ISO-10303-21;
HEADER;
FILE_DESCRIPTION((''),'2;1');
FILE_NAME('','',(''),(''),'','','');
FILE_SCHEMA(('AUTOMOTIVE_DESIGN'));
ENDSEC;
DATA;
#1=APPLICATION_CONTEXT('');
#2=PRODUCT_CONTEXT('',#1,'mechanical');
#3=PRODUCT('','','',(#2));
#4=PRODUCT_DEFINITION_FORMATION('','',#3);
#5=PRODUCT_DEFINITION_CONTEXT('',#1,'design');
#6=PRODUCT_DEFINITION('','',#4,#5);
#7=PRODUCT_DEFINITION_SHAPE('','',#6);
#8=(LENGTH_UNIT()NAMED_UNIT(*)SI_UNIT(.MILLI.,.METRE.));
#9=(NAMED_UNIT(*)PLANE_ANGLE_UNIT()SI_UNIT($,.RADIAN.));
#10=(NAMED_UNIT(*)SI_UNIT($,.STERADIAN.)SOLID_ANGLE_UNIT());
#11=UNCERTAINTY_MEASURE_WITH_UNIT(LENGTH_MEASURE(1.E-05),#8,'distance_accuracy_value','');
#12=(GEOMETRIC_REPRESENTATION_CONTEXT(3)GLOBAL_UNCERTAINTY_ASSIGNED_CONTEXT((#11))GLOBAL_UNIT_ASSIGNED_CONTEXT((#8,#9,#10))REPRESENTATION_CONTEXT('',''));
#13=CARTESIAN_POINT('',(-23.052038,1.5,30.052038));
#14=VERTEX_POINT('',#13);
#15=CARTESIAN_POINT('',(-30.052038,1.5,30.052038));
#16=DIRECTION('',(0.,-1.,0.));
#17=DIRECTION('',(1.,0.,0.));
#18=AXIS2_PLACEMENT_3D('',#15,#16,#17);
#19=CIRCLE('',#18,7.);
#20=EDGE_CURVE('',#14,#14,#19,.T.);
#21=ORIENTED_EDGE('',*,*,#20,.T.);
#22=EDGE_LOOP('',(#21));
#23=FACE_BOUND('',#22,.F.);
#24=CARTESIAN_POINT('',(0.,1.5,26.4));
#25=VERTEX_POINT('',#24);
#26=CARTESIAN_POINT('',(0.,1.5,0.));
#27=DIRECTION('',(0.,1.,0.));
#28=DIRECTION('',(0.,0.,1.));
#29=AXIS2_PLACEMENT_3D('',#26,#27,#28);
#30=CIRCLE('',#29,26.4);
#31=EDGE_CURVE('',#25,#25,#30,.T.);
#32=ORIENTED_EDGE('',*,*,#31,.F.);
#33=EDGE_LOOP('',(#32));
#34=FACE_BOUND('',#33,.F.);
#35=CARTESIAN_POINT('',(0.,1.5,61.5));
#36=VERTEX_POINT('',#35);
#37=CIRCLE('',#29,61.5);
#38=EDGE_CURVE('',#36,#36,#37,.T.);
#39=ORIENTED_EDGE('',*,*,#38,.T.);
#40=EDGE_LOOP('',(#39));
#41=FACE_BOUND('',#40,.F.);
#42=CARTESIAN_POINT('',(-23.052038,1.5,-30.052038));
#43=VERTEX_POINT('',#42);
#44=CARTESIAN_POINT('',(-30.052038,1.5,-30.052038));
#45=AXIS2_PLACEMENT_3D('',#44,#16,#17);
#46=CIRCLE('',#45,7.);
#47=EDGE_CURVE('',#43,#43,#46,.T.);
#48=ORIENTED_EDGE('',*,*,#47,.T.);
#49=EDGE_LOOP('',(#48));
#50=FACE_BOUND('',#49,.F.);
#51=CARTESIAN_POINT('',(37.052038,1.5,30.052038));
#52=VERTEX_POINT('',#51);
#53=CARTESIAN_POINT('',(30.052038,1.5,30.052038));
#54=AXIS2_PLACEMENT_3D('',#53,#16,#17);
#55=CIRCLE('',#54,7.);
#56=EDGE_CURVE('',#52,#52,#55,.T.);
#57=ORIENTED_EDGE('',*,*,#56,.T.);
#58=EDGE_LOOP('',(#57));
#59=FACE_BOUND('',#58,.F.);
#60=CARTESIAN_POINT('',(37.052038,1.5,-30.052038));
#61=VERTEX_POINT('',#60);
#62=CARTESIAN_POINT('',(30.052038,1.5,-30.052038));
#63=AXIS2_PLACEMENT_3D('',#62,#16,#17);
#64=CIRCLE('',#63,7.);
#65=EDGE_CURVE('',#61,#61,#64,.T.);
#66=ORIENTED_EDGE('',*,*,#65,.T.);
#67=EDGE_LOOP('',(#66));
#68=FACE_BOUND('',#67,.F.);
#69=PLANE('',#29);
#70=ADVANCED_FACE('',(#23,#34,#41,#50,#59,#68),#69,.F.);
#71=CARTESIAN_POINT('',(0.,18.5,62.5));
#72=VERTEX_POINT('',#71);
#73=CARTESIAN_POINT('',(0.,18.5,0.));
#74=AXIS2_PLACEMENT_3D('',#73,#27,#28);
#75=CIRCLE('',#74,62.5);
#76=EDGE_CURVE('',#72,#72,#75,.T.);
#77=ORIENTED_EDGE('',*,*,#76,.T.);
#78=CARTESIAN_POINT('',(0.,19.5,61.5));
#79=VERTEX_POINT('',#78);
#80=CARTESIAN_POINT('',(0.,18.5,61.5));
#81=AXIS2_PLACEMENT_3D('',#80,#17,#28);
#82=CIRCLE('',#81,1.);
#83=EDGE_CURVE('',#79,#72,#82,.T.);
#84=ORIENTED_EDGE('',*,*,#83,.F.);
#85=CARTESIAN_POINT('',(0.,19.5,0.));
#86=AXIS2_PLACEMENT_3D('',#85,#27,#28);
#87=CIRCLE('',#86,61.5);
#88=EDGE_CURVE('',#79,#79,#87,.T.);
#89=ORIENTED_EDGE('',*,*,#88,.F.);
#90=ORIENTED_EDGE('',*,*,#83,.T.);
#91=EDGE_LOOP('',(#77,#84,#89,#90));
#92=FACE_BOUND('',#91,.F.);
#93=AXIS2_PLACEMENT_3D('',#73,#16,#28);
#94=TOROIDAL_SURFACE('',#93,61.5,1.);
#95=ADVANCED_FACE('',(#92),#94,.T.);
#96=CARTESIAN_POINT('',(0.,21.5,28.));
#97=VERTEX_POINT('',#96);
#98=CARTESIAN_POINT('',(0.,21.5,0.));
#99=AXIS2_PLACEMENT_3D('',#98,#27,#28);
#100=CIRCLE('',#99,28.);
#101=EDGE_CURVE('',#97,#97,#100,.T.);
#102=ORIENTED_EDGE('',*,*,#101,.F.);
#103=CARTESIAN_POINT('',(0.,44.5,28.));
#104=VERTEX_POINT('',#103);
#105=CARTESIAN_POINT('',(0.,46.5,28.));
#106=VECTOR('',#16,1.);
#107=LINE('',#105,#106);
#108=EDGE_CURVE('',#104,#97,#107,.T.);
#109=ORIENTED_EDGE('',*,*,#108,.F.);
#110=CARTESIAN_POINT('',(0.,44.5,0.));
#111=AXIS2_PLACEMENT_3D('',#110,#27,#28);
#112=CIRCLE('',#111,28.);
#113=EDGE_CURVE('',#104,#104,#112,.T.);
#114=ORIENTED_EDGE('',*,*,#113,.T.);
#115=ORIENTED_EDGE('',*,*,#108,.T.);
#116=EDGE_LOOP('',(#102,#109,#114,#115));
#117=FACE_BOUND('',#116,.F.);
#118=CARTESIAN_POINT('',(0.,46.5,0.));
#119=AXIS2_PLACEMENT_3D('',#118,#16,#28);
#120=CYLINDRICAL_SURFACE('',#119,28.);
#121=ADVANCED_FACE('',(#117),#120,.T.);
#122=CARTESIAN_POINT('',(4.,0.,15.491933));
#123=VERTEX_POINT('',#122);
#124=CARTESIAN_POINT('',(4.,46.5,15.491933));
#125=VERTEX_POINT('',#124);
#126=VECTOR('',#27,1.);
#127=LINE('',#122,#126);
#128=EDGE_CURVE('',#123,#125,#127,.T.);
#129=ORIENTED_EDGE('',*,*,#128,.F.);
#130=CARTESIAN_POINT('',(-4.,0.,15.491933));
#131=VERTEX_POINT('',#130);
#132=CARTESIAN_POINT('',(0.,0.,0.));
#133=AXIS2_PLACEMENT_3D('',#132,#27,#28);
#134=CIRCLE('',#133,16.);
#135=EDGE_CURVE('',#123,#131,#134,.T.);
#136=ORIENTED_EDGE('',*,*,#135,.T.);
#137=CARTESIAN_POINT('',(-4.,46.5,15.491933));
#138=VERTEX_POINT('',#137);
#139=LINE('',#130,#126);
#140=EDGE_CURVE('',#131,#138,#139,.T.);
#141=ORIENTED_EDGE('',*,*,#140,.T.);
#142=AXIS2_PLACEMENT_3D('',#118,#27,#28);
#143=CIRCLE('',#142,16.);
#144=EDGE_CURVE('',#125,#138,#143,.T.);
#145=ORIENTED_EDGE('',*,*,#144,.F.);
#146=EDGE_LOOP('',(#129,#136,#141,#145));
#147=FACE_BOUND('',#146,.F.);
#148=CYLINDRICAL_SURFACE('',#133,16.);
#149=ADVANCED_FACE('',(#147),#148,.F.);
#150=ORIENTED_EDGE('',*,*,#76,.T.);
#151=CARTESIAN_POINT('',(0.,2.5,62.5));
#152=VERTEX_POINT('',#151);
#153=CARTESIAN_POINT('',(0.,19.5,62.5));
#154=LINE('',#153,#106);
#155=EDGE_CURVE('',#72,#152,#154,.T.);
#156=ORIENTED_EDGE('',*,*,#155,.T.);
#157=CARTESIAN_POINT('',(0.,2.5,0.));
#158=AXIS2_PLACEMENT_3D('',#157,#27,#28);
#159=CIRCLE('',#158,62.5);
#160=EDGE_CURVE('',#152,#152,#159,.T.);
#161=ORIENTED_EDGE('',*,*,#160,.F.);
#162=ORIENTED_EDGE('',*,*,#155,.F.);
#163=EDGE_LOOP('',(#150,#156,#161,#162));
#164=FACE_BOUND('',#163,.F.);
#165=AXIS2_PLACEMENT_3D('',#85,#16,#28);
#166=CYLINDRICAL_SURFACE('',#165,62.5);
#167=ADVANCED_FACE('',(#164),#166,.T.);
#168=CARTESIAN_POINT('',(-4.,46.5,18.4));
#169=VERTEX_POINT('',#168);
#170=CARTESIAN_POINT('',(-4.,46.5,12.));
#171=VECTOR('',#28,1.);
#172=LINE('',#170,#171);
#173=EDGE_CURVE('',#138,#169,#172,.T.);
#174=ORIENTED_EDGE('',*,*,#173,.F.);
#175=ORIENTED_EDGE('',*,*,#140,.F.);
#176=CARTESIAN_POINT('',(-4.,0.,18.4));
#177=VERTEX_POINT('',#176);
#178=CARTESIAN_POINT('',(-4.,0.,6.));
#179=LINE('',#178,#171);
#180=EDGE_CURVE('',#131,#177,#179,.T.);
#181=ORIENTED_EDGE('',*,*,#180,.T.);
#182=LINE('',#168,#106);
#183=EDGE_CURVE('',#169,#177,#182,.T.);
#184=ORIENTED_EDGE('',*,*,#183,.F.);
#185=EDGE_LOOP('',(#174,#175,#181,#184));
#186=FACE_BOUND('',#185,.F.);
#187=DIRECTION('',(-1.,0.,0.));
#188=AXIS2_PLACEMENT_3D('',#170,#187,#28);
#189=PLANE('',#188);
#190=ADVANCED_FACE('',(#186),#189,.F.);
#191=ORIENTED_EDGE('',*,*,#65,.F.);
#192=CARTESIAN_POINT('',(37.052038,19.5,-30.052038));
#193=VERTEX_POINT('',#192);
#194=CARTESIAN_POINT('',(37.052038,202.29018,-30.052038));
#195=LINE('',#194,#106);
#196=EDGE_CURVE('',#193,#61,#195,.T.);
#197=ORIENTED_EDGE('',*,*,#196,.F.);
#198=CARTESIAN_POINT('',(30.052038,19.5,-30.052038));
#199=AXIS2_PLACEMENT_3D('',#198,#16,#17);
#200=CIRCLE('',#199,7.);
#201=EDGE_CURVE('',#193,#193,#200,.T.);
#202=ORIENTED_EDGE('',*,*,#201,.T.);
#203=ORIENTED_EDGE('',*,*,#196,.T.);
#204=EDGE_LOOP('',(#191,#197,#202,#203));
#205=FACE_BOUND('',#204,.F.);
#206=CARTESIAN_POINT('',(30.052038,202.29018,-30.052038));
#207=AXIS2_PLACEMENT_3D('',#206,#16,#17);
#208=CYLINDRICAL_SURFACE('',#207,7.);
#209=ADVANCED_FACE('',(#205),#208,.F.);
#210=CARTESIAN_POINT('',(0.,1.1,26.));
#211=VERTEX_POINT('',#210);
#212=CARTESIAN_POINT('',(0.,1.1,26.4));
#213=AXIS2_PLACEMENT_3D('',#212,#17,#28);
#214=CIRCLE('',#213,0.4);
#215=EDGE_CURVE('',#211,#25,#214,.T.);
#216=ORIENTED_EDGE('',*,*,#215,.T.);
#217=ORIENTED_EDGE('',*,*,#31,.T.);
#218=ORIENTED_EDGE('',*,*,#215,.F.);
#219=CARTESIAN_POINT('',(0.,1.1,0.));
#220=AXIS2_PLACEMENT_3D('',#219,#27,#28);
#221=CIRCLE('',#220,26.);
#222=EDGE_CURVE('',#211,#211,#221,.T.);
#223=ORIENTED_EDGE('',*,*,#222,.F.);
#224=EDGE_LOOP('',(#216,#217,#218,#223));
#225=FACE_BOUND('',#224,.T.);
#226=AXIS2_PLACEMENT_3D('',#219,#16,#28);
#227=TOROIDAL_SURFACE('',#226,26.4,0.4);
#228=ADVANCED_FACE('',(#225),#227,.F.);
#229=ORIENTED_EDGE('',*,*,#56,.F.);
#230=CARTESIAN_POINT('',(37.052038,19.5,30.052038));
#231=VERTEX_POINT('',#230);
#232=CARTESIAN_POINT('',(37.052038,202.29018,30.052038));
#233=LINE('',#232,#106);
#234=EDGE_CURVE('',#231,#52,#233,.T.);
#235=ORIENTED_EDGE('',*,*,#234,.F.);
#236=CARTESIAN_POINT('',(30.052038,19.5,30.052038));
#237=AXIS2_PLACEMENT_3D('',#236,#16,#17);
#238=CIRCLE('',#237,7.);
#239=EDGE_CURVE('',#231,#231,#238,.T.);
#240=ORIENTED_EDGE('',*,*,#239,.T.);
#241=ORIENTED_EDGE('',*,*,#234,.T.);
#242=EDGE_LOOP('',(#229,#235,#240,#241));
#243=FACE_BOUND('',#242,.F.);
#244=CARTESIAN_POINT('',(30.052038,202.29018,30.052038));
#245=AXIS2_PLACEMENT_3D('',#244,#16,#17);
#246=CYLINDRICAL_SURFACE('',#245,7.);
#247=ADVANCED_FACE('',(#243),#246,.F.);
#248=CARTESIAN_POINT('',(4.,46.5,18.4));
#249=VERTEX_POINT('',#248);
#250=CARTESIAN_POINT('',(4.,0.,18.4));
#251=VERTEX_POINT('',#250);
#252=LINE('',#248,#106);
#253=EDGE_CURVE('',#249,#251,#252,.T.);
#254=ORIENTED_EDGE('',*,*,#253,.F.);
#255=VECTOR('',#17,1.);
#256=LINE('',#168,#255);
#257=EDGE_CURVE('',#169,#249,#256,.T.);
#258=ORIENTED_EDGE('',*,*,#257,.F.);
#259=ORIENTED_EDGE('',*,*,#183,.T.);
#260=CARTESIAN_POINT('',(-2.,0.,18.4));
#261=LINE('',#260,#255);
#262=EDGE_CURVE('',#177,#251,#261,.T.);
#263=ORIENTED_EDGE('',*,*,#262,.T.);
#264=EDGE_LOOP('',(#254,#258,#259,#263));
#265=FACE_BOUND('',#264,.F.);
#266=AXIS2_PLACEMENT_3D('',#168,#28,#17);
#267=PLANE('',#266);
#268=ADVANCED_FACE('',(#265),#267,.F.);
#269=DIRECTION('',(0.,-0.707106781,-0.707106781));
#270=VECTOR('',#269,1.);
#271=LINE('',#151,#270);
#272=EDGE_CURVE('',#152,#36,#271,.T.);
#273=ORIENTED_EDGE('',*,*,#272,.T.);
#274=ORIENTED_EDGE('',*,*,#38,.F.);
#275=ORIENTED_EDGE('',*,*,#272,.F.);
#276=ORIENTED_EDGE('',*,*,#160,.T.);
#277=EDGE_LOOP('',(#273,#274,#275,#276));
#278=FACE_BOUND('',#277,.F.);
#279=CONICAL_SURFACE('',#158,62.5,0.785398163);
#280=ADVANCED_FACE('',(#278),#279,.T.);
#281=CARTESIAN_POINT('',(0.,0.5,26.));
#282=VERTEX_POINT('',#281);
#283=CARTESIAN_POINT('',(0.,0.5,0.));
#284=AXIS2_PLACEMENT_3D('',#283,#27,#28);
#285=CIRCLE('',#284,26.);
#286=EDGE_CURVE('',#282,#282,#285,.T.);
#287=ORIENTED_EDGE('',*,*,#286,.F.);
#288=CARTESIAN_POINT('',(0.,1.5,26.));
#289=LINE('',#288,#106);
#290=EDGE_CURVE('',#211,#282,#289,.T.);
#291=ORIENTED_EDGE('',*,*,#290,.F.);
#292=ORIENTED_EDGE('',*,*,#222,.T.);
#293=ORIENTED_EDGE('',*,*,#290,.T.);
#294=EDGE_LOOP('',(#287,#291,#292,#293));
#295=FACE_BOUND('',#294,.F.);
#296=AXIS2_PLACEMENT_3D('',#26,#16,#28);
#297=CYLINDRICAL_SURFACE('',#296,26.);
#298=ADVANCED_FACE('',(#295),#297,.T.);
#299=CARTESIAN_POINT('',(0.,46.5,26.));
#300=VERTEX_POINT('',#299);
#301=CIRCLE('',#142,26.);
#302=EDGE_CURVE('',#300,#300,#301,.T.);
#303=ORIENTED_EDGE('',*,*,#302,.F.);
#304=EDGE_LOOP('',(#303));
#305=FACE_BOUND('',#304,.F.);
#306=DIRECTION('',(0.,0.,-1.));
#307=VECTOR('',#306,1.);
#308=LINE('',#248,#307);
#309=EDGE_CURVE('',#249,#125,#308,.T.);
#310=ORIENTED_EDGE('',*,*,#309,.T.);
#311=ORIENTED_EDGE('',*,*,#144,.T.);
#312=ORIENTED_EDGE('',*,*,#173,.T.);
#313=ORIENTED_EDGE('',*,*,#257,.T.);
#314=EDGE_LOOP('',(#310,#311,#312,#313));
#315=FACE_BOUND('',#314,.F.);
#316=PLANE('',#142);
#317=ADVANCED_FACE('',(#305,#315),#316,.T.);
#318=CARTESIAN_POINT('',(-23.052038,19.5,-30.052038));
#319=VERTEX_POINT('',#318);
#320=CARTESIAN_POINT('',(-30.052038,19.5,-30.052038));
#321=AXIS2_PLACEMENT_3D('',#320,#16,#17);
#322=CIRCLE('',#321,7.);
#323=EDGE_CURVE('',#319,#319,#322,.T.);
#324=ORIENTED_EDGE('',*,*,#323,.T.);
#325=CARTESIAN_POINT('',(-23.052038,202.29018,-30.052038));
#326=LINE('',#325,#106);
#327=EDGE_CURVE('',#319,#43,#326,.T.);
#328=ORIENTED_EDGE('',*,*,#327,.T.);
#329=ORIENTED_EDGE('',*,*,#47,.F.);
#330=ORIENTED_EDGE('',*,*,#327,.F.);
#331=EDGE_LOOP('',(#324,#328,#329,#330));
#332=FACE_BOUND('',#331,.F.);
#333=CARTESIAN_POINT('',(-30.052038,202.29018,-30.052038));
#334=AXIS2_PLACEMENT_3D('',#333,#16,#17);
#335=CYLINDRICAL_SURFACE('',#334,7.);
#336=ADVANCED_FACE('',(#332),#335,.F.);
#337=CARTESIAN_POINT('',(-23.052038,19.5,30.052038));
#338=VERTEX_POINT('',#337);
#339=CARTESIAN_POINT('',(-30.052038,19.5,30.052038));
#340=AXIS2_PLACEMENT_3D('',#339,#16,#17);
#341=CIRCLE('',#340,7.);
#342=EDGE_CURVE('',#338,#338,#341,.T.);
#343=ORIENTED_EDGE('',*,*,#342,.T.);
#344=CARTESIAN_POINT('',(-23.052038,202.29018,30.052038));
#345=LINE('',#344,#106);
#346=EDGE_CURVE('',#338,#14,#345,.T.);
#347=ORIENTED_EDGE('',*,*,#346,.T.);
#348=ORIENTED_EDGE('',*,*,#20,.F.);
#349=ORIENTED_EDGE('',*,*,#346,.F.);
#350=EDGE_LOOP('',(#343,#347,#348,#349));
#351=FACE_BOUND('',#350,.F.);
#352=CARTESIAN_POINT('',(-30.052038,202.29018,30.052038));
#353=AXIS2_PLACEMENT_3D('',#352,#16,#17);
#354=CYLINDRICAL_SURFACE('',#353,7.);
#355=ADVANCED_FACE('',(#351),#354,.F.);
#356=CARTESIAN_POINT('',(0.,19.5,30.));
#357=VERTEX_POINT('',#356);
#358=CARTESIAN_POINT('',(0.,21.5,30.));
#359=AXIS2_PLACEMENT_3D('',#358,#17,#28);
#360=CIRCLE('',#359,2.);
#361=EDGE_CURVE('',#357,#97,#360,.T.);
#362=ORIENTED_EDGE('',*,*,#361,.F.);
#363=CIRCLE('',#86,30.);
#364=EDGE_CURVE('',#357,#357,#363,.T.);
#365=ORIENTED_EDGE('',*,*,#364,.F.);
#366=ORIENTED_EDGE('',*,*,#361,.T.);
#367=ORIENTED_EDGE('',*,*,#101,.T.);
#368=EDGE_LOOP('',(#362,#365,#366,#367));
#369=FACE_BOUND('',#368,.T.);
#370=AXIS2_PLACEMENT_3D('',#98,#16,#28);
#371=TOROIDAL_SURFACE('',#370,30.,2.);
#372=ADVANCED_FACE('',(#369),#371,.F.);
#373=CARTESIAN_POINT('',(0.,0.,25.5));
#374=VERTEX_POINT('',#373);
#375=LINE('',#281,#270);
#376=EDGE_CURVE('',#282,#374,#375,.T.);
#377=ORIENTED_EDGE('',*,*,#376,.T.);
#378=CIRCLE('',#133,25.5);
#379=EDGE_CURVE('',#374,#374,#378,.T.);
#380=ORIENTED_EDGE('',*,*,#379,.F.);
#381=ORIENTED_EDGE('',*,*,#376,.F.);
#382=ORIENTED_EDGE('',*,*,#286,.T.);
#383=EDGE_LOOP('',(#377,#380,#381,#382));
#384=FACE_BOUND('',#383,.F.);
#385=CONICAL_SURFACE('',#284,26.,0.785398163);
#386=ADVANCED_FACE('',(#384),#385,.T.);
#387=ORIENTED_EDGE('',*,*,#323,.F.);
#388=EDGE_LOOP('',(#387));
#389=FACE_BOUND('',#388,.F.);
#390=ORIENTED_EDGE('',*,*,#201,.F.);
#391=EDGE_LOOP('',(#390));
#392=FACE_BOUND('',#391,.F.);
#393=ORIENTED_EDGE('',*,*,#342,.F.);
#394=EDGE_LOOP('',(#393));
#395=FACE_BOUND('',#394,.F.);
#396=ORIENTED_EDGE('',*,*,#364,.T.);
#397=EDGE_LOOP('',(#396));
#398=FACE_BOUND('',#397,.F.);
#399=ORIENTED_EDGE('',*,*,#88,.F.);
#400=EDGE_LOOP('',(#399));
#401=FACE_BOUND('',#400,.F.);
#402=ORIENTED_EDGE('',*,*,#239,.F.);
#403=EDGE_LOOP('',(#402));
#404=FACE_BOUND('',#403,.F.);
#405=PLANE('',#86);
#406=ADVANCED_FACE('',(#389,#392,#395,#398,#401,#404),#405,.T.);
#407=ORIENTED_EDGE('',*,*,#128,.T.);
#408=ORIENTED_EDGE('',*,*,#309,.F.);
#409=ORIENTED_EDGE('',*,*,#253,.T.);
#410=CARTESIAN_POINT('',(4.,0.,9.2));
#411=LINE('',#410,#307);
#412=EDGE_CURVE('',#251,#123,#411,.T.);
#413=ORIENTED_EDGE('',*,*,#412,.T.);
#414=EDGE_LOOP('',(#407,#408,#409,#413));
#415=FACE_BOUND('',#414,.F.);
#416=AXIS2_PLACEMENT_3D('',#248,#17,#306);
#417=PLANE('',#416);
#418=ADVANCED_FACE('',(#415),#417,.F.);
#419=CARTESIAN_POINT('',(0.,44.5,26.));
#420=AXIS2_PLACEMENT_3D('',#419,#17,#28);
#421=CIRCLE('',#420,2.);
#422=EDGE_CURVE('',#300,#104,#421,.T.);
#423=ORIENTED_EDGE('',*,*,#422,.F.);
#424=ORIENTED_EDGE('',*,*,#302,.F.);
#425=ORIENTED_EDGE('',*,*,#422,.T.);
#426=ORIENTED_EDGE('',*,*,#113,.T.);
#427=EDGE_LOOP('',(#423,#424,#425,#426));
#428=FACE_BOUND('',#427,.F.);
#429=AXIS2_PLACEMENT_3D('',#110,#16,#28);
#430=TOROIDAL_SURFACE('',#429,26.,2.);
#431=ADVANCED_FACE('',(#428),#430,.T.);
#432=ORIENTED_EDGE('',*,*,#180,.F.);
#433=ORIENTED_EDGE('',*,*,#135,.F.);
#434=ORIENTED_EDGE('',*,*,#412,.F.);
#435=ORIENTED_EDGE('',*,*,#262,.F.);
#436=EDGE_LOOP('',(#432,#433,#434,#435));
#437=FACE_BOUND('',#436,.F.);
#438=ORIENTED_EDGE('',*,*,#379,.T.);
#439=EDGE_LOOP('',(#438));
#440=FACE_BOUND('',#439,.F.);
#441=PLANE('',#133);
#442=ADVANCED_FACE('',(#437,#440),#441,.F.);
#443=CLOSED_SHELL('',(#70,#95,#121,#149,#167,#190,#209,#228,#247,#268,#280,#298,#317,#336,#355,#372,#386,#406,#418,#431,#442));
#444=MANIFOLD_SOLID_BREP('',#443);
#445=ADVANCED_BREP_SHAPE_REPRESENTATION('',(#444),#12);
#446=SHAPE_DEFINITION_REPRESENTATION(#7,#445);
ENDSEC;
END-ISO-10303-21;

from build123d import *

# Parameters (mm, degrees)
F3_DEPTH = 46.501
F5_D     = 14
F6_R     = 2
F7_R     = 1
F8_SIZE  = 1
F9_SIZE  = 0.5
F10_R    = 0.4


with BuildPart() as f1:
    # F0 (on Right) → F1 (revolve)
    with BuildSketch(Plane.YZ):
        Polygon((1.5, 26), (0, 26), (0, 16), (46.5, 16), (46.5, 28), (19.5, 28), (19.5, 62.5), (1.5, 62.5), align=None)
    revolve(axis=Axis((0, 26.823761, 0), (0, 1, 0)))

    # F2 (on face) → F3 (cut, through all)
    with BuildSketch(Plane(origin=(0, 46.5, 0), x_dir=(-1, 0, 0), z_dir=(0, 1, 0))):
        with BuildLine():
            ThreePointArc((4, 15.491933), (0, 16), (-4, 15.491933))
            Line((-4, 15.491933), (-4, 12))
            Line((-4, 12), (4, 12))
            Line((4, 12), (4, 15.491933))
        make_face()
        with BuildLine():
            Line((4, 18.4), (-4, 18.4))
            Line((-4, 18.4), (-4, 15.491933))
            ThreePointArc((-4, 15.491933), (0, 16), (4, 15.491933))
            Line((4, 15.491933), (4, 18.4))
        make_face()
    extrude(amount=-F3_DEPTH, mode=Mode.SUBTRACT)

    # F5 (through all)
    with Locations(Plane(origin=(0, 19.5, 0), x_dir=(-1, 0, 0), z_dir=(0, 1, 0))):
        with Locations((-30.052038, 30.052038), (30.052038, 30.052038), (-30.052038, -30.052038), (30.052038, -30.052038)):
            Hole(F5_D / 2)

    # F6
    f6_edges = [f1.edges().sort_by_distance(p)[0] for p in [
        (0, 19.5, -28),
        (0, 46.5, -28),
    ]]
    fillet(f6_edges, radius=F6_R)

    # F7
    f7_edges = [f1.edges().sort_by_distance(p)[0] for p in [
        (0, 19.5, -62.5),
    ]]
    fillet(f7_edges, radius=F7_R)

    # F8
    f8_edges = [f1.edges().sort_by_distance(p)[0] for p in [
        (0, 1.5, -62.5),
    ]]
    chamfer(f8_edges, length=F8_SIZE)

    # F9
    f9_edges = [f1.edges().sort_by_distance(p)[0] for p in [
        (0, 0, -26),
    ]]
    chamfer(f9_edges, length=F9_SIZE)

    # F10
    f10_edges = [f1.edges().sort_by_distance(p)[0] for p in [
        (0, 1.5, -26),
    ]]
    fillet(f10_edges, radius=F10_R)


solid = f1.part
